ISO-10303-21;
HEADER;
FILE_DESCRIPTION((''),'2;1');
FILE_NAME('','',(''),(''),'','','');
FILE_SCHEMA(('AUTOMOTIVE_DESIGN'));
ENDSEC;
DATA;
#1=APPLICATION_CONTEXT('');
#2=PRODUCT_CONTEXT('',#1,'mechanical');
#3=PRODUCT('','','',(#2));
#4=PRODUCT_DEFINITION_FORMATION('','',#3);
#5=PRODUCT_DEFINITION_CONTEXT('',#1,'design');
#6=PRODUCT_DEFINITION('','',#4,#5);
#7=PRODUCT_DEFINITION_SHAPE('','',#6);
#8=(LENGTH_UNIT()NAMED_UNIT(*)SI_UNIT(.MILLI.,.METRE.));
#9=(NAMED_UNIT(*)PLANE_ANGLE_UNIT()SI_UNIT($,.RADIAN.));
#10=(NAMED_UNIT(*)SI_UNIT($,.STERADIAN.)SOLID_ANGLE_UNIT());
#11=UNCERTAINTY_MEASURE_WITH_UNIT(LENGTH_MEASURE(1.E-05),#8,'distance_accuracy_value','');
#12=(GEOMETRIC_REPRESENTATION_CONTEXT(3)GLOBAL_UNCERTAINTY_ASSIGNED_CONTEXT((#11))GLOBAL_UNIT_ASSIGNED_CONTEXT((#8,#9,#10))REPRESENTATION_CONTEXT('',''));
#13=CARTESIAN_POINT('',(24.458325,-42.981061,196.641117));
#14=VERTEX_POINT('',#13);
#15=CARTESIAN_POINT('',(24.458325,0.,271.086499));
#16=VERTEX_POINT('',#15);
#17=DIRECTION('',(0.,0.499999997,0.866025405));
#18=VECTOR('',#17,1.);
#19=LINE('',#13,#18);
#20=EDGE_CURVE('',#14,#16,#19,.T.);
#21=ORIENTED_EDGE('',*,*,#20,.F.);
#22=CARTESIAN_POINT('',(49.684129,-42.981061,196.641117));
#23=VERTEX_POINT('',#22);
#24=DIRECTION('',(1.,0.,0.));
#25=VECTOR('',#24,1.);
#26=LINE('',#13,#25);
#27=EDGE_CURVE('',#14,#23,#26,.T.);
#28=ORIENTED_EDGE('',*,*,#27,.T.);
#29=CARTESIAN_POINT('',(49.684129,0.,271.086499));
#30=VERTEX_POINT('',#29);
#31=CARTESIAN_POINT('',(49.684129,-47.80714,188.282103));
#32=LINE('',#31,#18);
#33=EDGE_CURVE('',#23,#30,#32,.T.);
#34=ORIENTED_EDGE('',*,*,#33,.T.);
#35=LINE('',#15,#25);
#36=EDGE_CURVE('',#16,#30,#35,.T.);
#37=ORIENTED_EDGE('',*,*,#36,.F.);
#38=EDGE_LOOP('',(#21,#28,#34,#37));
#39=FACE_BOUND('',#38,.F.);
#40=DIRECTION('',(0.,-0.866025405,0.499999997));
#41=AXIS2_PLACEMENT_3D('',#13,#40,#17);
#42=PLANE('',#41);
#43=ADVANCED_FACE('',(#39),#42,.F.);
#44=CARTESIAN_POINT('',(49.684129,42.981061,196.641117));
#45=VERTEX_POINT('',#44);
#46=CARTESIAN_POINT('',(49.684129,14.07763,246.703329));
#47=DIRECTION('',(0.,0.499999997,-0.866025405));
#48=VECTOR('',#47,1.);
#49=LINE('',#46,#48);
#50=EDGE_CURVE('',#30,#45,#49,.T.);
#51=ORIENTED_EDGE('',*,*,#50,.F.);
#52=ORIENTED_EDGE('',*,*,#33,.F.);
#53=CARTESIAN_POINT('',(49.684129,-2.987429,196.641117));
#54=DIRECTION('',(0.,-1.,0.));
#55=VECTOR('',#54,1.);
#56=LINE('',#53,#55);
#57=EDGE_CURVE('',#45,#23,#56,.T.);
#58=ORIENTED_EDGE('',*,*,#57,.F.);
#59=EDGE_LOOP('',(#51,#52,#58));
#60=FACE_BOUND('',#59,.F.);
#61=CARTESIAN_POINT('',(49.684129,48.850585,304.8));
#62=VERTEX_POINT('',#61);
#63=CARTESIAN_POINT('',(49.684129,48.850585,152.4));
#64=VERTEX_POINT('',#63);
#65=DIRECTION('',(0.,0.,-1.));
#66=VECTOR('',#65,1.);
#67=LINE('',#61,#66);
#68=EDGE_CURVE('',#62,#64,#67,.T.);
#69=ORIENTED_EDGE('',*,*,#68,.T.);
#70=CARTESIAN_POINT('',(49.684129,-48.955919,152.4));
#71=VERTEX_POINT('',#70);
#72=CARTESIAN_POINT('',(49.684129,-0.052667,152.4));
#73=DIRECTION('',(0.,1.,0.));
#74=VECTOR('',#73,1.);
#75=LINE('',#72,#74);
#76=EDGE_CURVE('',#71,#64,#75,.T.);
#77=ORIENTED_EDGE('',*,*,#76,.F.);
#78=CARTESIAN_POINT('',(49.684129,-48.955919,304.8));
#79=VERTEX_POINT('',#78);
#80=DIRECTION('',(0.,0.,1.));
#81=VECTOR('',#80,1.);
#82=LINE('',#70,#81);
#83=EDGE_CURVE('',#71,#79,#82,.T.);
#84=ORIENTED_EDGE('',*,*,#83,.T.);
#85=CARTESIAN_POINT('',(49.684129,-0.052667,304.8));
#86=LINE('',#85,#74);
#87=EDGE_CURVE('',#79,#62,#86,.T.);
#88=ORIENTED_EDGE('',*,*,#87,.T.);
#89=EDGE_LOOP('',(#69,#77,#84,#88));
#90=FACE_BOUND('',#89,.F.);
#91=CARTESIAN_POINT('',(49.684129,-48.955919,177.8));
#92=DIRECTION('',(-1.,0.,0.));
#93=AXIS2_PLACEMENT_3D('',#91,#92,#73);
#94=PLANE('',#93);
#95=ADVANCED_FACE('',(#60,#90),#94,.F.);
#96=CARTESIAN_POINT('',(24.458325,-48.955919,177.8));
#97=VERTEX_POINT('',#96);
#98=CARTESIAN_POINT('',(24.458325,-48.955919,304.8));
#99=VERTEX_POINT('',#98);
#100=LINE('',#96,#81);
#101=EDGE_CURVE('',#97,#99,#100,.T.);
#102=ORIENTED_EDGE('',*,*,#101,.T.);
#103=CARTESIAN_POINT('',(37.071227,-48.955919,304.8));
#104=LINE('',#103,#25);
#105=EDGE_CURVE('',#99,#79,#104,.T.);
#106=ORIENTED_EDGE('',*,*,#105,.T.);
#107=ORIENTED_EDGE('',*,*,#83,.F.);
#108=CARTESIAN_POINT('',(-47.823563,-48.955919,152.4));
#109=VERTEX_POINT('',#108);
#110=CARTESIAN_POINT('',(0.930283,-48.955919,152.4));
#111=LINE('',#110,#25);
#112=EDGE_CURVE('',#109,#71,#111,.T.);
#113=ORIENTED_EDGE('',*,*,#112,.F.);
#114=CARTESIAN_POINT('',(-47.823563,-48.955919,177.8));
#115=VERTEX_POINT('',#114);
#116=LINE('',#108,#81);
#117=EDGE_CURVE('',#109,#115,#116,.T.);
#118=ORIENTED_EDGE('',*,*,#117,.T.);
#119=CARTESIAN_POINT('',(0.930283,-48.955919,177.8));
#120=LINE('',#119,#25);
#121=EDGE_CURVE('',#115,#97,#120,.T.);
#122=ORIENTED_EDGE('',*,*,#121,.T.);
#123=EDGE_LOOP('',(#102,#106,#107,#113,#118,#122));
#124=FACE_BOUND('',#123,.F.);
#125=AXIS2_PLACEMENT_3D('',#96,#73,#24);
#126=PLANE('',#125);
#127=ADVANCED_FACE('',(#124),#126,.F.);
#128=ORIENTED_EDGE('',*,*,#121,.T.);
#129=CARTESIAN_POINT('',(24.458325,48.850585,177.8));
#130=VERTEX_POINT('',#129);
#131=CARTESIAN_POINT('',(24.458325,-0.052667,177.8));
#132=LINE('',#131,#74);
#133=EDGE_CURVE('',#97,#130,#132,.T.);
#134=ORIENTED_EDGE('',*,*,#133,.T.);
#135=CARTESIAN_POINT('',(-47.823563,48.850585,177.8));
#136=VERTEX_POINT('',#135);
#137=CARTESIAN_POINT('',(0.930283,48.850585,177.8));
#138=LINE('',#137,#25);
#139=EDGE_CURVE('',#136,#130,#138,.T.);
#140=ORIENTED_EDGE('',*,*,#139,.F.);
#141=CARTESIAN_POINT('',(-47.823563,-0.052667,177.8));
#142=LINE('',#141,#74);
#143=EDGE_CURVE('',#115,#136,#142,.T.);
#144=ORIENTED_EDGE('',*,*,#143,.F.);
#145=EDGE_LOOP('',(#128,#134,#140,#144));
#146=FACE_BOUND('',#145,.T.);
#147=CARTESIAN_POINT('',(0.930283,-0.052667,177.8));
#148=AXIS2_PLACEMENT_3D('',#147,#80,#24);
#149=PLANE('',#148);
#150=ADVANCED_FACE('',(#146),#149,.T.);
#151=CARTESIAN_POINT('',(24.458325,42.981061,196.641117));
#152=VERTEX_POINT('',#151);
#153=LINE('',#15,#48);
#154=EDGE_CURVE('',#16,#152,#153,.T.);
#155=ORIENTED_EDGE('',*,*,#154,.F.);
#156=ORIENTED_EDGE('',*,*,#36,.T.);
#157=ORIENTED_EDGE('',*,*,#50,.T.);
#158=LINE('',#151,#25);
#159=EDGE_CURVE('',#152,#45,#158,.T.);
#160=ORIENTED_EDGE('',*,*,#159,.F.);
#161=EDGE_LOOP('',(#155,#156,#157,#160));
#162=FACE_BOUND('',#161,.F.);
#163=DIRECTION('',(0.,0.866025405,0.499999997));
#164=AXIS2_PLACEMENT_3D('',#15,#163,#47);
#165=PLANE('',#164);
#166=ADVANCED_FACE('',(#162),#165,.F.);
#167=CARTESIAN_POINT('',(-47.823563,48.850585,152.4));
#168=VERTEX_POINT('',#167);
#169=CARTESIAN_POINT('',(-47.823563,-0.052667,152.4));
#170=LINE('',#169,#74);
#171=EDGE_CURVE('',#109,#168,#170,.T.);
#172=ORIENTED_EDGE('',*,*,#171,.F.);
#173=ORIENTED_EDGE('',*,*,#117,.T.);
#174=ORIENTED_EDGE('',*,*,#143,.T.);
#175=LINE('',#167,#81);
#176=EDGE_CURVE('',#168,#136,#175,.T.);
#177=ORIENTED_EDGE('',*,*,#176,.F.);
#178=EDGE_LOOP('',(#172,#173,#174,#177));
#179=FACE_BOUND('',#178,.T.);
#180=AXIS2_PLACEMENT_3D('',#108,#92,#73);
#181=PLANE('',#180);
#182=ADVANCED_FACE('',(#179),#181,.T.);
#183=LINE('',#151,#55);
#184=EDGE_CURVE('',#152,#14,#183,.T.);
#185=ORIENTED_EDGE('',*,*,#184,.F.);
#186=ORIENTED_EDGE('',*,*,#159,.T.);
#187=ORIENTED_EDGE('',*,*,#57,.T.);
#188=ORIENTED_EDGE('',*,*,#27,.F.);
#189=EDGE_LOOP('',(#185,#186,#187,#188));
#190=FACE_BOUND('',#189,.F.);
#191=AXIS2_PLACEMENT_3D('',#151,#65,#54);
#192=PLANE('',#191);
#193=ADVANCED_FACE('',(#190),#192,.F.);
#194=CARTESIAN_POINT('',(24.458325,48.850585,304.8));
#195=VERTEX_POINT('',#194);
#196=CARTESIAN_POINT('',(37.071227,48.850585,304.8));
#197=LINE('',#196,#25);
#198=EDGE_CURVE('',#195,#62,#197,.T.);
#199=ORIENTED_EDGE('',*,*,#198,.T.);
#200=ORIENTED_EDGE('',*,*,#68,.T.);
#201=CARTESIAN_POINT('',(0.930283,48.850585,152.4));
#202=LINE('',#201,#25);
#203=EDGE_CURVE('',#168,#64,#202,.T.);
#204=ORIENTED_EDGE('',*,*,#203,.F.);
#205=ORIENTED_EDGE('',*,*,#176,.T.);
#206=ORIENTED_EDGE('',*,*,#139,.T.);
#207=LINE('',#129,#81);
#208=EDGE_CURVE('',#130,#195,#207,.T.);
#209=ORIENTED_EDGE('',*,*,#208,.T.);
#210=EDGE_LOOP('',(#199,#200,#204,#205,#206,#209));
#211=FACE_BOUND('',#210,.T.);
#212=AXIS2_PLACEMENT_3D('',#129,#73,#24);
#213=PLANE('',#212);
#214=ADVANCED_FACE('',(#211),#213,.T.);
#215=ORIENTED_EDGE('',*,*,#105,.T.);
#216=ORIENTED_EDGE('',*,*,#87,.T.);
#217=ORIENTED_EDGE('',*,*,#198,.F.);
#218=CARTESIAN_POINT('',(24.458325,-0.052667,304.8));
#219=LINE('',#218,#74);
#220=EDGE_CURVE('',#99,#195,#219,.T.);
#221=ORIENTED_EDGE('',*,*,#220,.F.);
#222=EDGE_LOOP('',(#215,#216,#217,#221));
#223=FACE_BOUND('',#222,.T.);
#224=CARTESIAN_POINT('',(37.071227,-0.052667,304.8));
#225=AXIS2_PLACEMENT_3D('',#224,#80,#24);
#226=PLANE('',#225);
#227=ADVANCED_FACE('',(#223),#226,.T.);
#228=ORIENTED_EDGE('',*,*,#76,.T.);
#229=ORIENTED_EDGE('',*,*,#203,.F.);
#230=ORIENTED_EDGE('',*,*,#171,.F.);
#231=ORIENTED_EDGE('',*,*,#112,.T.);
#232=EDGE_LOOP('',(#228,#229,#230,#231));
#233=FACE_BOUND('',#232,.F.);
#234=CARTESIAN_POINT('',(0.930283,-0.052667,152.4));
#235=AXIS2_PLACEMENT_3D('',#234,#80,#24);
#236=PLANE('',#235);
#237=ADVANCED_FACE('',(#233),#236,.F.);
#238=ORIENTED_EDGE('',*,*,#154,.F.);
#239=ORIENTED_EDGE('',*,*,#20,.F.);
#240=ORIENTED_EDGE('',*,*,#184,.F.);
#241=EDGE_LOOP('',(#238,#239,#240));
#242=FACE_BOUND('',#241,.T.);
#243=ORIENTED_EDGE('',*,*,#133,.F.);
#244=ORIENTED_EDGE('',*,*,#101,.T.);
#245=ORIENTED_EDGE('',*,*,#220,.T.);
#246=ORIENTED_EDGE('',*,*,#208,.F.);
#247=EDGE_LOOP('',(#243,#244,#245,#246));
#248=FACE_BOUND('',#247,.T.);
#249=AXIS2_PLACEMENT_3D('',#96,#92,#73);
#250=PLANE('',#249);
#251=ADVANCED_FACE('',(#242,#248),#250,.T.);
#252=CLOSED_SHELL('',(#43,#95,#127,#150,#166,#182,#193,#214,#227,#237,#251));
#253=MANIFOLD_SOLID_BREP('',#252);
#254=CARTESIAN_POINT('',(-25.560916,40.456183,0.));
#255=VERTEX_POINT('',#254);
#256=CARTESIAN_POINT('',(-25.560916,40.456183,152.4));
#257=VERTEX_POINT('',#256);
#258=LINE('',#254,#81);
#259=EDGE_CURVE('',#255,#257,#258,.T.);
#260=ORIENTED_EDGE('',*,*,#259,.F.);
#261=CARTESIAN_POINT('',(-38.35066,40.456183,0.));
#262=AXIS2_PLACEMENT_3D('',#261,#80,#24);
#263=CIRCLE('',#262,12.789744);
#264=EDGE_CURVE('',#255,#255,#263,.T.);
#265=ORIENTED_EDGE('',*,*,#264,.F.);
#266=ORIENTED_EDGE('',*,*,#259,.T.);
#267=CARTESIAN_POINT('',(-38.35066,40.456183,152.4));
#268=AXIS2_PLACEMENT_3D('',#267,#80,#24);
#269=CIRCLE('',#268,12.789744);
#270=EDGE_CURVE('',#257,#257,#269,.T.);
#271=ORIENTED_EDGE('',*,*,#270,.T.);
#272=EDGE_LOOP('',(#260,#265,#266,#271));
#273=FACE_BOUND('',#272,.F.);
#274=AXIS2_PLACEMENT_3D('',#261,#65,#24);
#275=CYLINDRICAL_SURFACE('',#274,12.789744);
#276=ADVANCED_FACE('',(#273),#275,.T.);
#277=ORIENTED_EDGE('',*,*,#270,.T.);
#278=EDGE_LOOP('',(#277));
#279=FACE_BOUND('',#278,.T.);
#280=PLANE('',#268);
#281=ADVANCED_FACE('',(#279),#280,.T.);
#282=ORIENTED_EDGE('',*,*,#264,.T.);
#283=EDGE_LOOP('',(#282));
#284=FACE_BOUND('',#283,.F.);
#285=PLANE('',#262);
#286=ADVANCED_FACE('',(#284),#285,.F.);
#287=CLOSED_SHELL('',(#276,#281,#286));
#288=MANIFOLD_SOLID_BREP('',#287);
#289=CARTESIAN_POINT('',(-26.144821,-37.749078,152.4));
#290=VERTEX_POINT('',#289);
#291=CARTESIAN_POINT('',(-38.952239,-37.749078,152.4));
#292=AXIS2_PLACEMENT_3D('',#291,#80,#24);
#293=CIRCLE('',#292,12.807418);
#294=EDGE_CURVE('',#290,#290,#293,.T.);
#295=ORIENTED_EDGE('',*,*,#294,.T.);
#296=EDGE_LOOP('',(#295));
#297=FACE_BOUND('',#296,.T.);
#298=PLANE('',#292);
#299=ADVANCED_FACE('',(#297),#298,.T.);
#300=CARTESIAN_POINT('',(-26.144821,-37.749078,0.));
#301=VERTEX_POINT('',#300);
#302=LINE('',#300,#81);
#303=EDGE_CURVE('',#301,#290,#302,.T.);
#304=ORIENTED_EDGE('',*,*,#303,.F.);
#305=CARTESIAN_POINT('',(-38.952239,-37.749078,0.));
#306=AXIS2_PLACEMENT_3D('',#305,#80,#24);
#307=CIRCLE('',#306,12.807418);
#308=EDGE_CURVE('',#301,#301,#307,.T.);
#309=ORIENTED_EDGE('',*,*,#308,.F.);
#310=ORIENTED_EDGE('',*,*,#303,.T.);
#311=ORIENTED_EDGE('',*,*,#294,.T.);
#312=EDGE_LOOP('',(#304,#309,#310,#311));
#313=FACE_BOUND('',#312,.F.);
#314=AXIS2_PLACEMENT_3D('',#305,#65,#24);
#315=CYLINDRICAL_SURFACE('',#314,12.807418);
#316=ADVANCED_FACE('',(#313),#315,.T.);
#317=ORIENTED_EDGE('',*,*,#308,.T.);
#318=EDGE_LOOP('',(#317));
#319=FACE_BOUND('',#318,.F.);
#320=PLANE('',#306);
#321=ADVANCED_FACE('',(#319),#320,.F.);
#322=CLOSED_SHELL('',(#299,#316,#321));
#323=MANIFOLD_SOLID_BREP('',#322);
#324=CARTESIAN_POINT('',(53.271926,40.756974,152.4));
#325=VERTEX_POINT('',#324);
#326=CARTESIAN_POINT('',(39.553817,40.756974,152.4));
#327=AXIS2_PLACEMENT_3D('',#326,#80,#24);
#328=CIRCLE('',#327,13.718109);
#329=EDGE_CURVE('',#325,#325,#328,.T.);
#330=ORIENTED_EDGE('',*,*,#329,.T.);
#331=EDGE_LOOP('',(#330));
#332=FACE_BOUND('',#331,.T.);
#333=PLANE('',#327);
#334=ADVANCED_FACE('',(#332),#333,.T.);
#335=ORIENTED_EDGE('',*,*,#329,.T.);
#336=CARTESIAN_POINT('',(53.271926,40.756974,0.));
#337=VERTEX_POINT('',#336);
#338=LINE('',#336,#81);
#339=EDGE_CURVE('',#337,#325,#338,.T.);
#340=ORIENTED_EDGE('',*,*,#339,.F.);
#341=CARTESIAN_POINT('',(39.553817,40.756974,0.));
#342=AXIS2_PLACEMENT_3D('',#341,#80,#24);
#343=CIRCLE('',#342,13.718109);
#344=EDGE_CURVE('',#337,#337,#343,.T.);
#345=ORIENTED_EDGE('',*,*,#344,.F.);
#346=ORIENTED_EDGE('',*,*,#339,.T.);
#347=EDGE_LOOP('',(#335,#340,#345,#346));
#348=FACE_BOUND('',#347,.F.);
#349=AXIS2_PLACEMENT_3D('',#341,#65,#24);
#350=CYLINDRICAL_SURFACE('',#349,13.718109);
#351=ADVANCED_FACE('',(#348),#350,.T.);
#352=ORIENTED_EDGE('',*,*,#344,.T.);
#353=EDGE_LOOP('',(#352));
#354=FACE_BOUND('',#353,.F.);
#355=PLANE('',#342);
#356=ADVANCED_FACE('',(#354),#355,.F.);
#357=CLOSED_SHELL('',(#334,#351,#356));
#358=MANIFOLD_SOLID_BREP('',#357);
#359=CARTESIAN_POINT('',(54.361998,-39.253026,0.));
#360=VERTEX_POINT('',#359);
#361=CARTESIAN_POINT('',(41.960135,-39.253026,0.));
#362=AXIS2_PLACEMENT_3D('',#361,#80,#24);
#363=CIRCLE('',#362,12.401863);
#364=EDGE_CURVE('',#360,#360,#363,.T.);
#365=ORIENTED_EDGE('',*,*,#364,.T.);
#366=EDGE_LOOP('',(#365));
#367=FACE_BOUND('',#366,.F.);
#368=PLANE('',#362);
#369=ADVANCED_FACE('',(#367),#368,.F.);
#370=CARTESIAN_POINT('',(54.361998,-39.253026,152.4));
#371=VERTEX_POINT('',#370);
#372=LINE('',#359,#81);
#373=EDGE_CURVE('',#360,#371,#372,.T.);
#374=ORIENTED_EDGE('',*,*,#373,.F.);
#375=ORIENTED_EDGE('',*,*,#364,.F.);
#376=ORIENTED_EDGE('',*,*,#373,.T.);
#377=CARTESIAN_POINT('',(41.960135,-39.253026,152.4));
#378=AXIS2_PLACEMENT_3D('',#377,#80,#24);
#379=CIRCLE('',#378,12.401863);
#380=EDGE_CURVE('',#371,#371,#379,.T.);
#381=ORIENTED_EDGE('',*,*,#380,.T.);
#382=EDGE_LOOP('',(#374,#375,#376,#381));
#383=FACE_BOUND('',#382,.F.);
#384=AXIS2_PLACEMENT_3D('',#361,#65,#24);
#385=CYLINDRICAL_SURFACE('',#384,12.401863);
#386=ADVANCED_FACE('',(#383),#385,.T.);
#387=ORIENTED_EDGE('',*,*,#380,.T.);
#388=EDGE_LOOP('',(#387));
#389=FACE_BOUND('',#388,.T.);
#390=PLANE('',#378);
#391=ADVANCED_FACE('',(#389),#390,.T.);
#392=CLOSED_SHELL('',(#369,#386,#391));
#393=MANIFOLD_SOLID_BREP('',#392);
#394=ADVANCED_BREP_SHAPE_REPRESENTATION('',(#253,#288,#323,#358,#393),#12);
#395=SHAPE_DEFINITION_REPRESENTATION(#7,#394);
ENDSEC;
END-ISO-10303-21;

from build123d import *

# Parameters (mm, degrees)
F0_R     = 12.789744
F0_R_2   = 13.718109
F0_R_3   = 12.807418
F0_R_4   = 12.401863
F1_DEPTH = 152.4
F2_W     = 97.507692
F2_H     = 97.806504
F3_DEPTH = 25.4
F4_W     = 25.225804
F4_H     = 97.806504
F5_DEPTH = 127
F7_DEPTH = 76.2


with BuildPart() as f1:
    # F0 (on Top) → F1 (new body)
    with BuildSketch(Plane.XY):
        with Locations((-38.35066, 40.456183)):
            Circle(F0_R)
        with Locations((39.553817, 40.756974)):
            Circle(F0_R_2)
        with Locations((-38.952239, -37.749078)):
            Circle(F0_R_3)
        with Locations((41.960135, -39.253026)):
            Circle(F0_R_4)
    extrude(amount=F1_DEPTH)


with BuildPart() as f3:
    # F2 (on face) → F3 (new body)
    with BuildSketch(Plane.XY.offset(152.4)):
        with Locations((0.930283, -0.052667)):
            Rectangle(F2_W, F2_H)
    extrude(amount=F3_DEPTH)

    # F4 (on face) → F5 (join)
    with BuildSketch(Plane.XY.offset(177.8)):
        with Locations((37.071227, -0.052667)):
            Rectangle(F4_W, F4_H)
    extrude(amount=F5_DEPTH)

    # F6 (on face) → F7 (cut)
    with BuildSketch(Plane(origin=(24.458325, 0, 0), x_dir=(0, -1, 0), z_dir=(-1, 0, 0))):
        Polygon((-42.981061, 196.641117), (42.981061, 196.641117), (0, 271.086499), align=None)
    extrude(amount=-F7_DEPTH, mode=Mode.SUBTRACT)


solid = Compound([f1.part, f3.part])
